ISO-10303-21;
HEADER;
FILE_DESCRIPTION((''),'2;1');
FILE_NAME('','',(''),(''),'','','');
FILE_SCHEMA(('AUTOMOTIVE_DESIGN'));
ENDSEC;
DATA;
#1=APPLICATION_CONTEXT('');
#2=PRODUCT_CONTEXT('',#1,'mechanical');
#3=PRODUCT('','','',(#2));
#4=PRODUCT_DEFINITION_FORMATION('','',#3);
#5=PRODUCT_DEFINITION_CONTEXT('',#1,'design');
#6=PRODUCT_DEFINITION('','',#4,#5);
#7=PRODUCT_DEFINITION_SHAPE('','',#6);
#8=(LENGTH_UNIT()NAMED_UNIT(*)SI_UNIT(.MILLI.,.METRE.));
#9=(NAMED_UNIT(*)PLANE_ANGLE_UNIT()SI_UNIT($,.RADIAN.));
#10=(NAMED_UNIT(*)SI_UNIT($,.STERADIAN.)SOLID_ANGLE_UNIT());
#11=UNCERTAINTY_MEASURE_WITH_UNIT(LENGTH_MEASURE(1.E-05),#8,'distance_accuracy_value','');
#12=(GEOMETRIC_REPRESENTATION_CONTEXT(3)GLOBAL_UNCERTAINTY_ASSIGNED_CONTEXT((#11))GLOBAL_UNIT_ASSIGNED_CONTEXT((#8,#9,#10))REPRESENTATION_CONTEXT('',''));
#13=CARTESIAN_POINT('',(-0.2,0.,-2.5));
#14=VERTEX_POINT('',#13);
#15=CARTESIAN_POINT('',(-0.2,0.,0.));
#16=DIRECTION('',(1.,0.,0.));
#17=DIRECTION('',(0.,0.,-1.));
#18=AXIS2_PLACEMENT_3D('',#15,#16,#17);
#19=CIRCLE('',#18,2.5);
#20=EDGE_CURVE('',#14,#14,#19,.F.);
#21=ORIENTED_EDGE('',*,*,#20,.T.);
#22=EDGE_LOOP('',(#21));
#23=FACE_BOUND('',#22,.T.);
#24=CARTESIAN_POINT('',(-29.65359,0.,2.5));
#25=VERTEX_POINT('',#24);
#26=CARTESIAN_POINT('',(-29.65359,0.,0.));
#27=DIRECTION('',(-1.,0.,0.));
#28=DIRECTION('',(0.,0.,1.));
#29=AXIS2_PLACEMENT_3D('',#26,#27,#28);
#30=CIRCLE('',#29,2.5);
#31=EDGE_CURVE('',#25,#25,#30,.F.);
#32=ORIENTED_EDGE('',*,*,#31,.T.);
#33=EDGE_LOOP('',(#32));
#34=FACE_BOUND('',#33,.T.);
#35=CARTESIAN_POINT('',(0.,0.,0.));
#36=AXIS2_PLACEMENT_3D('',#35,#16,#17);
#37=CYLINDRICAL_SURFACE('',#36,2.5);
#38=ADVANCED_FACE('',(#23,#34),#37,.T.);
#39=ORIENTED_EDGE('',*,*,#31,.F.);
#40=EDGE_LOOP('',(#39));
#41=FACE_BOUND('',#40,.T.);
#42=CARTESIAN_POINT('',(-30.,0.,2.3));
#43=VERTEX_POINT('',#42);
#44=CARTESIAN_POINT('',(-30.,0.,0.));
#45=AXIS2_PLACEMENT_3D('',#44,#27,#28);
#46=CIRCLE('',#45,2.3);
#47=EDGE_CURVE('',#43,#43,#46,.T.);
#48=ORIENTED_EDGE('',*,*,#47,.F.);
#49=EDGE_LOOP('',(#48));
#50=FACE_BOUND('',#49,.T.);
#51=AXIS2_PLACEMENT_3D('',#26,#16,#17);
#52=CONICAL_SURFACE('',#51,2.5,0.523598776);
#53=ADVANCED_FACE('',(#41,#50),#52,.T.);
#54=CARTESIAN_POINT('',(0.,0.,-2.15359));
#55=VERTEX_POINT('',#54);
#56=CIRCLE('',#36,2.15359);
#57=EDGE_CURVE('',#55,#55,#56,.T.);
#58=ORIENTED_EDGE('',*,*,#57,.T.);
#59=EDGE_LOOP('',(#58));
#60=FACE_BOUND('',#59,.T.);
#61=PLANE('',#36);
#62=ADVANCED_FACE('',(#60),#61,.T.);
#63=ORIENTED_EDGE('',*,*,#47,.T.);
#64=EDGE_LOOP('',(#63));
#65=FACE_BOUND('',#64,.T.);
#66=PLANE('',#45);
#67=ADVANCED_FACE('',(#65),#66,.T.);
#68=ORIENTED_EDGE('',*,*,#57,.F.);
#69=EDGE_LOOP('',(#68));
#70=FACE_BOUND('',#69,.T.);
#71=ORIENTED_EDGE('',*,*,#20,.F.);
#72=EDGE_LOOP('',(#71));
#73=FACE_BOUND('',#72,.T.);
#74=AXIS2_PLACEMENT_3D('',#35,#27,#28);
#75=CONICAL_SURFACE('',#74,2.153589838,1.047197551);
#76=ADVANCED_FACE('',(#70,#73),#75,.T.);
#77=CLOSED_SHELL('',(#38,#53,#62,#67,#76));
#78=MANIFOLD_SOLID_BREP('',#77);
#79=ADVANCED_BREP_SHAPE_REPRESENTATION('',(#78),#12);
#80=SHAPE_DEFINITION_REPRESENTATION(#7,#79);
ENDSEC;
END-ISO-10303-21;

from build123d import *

# Parameters (mm, degrees)
SKETCH1_W             = 30
SKETCH1_H             = 2.5
CHAMFER1_SIZE         = 0.2
CHAMFER1_SIZE2        = 0.346410162
CHAMFER1_PART_2_SIZE  = 0.2
CHAMFER1_PART_2_SIZE2 = 0.346410162


with BuildPart() as part:
    # Sketch1 → Revolve1 (revolve)
    with BuildSketch(Plane.XY):
        with Locations((-15, 1.25)):
            Rectangle(SKETCH1_W, SKETCH1_H)
    revolve(axis=Axis((0, 0, 0), (-1, 0, 0)))

    # Chamfer1
    chamfer1_edges = [part.edges().sort_by_distance(p)[0] for p in [
        (-30, -2.5, 0),
    ]]
    chamfer1_side = [part.faces().sort_by_distance(p)[0] for p in [
        (-30, 0, 0),
    ]]
    chamfer(chamfer1_edges, length=CHAMFER1_SIZE, length2=CHAMFER1_SIZE2, reference=chamfer1_side[0])

    # Chamfer1 part 2
    chamfer1_part_2_edges = [part.edges().sort_by_distance(p)[0] for p in [
        (0, -2.5, 0),
    ]]
    chamfer1_part_2_side = [part.faces().sort_by_distance(p)[0] for p in [
        (-15, -2.5, 0),
    ]]
    chamfer(chamfer1_part_2_edges, length=CHAMFER1_PART_2_SIZE, length2=CHAMFER1_PART_2_SIZE2, reference=chamfer1_part_2_side[0])


solid = part.part
